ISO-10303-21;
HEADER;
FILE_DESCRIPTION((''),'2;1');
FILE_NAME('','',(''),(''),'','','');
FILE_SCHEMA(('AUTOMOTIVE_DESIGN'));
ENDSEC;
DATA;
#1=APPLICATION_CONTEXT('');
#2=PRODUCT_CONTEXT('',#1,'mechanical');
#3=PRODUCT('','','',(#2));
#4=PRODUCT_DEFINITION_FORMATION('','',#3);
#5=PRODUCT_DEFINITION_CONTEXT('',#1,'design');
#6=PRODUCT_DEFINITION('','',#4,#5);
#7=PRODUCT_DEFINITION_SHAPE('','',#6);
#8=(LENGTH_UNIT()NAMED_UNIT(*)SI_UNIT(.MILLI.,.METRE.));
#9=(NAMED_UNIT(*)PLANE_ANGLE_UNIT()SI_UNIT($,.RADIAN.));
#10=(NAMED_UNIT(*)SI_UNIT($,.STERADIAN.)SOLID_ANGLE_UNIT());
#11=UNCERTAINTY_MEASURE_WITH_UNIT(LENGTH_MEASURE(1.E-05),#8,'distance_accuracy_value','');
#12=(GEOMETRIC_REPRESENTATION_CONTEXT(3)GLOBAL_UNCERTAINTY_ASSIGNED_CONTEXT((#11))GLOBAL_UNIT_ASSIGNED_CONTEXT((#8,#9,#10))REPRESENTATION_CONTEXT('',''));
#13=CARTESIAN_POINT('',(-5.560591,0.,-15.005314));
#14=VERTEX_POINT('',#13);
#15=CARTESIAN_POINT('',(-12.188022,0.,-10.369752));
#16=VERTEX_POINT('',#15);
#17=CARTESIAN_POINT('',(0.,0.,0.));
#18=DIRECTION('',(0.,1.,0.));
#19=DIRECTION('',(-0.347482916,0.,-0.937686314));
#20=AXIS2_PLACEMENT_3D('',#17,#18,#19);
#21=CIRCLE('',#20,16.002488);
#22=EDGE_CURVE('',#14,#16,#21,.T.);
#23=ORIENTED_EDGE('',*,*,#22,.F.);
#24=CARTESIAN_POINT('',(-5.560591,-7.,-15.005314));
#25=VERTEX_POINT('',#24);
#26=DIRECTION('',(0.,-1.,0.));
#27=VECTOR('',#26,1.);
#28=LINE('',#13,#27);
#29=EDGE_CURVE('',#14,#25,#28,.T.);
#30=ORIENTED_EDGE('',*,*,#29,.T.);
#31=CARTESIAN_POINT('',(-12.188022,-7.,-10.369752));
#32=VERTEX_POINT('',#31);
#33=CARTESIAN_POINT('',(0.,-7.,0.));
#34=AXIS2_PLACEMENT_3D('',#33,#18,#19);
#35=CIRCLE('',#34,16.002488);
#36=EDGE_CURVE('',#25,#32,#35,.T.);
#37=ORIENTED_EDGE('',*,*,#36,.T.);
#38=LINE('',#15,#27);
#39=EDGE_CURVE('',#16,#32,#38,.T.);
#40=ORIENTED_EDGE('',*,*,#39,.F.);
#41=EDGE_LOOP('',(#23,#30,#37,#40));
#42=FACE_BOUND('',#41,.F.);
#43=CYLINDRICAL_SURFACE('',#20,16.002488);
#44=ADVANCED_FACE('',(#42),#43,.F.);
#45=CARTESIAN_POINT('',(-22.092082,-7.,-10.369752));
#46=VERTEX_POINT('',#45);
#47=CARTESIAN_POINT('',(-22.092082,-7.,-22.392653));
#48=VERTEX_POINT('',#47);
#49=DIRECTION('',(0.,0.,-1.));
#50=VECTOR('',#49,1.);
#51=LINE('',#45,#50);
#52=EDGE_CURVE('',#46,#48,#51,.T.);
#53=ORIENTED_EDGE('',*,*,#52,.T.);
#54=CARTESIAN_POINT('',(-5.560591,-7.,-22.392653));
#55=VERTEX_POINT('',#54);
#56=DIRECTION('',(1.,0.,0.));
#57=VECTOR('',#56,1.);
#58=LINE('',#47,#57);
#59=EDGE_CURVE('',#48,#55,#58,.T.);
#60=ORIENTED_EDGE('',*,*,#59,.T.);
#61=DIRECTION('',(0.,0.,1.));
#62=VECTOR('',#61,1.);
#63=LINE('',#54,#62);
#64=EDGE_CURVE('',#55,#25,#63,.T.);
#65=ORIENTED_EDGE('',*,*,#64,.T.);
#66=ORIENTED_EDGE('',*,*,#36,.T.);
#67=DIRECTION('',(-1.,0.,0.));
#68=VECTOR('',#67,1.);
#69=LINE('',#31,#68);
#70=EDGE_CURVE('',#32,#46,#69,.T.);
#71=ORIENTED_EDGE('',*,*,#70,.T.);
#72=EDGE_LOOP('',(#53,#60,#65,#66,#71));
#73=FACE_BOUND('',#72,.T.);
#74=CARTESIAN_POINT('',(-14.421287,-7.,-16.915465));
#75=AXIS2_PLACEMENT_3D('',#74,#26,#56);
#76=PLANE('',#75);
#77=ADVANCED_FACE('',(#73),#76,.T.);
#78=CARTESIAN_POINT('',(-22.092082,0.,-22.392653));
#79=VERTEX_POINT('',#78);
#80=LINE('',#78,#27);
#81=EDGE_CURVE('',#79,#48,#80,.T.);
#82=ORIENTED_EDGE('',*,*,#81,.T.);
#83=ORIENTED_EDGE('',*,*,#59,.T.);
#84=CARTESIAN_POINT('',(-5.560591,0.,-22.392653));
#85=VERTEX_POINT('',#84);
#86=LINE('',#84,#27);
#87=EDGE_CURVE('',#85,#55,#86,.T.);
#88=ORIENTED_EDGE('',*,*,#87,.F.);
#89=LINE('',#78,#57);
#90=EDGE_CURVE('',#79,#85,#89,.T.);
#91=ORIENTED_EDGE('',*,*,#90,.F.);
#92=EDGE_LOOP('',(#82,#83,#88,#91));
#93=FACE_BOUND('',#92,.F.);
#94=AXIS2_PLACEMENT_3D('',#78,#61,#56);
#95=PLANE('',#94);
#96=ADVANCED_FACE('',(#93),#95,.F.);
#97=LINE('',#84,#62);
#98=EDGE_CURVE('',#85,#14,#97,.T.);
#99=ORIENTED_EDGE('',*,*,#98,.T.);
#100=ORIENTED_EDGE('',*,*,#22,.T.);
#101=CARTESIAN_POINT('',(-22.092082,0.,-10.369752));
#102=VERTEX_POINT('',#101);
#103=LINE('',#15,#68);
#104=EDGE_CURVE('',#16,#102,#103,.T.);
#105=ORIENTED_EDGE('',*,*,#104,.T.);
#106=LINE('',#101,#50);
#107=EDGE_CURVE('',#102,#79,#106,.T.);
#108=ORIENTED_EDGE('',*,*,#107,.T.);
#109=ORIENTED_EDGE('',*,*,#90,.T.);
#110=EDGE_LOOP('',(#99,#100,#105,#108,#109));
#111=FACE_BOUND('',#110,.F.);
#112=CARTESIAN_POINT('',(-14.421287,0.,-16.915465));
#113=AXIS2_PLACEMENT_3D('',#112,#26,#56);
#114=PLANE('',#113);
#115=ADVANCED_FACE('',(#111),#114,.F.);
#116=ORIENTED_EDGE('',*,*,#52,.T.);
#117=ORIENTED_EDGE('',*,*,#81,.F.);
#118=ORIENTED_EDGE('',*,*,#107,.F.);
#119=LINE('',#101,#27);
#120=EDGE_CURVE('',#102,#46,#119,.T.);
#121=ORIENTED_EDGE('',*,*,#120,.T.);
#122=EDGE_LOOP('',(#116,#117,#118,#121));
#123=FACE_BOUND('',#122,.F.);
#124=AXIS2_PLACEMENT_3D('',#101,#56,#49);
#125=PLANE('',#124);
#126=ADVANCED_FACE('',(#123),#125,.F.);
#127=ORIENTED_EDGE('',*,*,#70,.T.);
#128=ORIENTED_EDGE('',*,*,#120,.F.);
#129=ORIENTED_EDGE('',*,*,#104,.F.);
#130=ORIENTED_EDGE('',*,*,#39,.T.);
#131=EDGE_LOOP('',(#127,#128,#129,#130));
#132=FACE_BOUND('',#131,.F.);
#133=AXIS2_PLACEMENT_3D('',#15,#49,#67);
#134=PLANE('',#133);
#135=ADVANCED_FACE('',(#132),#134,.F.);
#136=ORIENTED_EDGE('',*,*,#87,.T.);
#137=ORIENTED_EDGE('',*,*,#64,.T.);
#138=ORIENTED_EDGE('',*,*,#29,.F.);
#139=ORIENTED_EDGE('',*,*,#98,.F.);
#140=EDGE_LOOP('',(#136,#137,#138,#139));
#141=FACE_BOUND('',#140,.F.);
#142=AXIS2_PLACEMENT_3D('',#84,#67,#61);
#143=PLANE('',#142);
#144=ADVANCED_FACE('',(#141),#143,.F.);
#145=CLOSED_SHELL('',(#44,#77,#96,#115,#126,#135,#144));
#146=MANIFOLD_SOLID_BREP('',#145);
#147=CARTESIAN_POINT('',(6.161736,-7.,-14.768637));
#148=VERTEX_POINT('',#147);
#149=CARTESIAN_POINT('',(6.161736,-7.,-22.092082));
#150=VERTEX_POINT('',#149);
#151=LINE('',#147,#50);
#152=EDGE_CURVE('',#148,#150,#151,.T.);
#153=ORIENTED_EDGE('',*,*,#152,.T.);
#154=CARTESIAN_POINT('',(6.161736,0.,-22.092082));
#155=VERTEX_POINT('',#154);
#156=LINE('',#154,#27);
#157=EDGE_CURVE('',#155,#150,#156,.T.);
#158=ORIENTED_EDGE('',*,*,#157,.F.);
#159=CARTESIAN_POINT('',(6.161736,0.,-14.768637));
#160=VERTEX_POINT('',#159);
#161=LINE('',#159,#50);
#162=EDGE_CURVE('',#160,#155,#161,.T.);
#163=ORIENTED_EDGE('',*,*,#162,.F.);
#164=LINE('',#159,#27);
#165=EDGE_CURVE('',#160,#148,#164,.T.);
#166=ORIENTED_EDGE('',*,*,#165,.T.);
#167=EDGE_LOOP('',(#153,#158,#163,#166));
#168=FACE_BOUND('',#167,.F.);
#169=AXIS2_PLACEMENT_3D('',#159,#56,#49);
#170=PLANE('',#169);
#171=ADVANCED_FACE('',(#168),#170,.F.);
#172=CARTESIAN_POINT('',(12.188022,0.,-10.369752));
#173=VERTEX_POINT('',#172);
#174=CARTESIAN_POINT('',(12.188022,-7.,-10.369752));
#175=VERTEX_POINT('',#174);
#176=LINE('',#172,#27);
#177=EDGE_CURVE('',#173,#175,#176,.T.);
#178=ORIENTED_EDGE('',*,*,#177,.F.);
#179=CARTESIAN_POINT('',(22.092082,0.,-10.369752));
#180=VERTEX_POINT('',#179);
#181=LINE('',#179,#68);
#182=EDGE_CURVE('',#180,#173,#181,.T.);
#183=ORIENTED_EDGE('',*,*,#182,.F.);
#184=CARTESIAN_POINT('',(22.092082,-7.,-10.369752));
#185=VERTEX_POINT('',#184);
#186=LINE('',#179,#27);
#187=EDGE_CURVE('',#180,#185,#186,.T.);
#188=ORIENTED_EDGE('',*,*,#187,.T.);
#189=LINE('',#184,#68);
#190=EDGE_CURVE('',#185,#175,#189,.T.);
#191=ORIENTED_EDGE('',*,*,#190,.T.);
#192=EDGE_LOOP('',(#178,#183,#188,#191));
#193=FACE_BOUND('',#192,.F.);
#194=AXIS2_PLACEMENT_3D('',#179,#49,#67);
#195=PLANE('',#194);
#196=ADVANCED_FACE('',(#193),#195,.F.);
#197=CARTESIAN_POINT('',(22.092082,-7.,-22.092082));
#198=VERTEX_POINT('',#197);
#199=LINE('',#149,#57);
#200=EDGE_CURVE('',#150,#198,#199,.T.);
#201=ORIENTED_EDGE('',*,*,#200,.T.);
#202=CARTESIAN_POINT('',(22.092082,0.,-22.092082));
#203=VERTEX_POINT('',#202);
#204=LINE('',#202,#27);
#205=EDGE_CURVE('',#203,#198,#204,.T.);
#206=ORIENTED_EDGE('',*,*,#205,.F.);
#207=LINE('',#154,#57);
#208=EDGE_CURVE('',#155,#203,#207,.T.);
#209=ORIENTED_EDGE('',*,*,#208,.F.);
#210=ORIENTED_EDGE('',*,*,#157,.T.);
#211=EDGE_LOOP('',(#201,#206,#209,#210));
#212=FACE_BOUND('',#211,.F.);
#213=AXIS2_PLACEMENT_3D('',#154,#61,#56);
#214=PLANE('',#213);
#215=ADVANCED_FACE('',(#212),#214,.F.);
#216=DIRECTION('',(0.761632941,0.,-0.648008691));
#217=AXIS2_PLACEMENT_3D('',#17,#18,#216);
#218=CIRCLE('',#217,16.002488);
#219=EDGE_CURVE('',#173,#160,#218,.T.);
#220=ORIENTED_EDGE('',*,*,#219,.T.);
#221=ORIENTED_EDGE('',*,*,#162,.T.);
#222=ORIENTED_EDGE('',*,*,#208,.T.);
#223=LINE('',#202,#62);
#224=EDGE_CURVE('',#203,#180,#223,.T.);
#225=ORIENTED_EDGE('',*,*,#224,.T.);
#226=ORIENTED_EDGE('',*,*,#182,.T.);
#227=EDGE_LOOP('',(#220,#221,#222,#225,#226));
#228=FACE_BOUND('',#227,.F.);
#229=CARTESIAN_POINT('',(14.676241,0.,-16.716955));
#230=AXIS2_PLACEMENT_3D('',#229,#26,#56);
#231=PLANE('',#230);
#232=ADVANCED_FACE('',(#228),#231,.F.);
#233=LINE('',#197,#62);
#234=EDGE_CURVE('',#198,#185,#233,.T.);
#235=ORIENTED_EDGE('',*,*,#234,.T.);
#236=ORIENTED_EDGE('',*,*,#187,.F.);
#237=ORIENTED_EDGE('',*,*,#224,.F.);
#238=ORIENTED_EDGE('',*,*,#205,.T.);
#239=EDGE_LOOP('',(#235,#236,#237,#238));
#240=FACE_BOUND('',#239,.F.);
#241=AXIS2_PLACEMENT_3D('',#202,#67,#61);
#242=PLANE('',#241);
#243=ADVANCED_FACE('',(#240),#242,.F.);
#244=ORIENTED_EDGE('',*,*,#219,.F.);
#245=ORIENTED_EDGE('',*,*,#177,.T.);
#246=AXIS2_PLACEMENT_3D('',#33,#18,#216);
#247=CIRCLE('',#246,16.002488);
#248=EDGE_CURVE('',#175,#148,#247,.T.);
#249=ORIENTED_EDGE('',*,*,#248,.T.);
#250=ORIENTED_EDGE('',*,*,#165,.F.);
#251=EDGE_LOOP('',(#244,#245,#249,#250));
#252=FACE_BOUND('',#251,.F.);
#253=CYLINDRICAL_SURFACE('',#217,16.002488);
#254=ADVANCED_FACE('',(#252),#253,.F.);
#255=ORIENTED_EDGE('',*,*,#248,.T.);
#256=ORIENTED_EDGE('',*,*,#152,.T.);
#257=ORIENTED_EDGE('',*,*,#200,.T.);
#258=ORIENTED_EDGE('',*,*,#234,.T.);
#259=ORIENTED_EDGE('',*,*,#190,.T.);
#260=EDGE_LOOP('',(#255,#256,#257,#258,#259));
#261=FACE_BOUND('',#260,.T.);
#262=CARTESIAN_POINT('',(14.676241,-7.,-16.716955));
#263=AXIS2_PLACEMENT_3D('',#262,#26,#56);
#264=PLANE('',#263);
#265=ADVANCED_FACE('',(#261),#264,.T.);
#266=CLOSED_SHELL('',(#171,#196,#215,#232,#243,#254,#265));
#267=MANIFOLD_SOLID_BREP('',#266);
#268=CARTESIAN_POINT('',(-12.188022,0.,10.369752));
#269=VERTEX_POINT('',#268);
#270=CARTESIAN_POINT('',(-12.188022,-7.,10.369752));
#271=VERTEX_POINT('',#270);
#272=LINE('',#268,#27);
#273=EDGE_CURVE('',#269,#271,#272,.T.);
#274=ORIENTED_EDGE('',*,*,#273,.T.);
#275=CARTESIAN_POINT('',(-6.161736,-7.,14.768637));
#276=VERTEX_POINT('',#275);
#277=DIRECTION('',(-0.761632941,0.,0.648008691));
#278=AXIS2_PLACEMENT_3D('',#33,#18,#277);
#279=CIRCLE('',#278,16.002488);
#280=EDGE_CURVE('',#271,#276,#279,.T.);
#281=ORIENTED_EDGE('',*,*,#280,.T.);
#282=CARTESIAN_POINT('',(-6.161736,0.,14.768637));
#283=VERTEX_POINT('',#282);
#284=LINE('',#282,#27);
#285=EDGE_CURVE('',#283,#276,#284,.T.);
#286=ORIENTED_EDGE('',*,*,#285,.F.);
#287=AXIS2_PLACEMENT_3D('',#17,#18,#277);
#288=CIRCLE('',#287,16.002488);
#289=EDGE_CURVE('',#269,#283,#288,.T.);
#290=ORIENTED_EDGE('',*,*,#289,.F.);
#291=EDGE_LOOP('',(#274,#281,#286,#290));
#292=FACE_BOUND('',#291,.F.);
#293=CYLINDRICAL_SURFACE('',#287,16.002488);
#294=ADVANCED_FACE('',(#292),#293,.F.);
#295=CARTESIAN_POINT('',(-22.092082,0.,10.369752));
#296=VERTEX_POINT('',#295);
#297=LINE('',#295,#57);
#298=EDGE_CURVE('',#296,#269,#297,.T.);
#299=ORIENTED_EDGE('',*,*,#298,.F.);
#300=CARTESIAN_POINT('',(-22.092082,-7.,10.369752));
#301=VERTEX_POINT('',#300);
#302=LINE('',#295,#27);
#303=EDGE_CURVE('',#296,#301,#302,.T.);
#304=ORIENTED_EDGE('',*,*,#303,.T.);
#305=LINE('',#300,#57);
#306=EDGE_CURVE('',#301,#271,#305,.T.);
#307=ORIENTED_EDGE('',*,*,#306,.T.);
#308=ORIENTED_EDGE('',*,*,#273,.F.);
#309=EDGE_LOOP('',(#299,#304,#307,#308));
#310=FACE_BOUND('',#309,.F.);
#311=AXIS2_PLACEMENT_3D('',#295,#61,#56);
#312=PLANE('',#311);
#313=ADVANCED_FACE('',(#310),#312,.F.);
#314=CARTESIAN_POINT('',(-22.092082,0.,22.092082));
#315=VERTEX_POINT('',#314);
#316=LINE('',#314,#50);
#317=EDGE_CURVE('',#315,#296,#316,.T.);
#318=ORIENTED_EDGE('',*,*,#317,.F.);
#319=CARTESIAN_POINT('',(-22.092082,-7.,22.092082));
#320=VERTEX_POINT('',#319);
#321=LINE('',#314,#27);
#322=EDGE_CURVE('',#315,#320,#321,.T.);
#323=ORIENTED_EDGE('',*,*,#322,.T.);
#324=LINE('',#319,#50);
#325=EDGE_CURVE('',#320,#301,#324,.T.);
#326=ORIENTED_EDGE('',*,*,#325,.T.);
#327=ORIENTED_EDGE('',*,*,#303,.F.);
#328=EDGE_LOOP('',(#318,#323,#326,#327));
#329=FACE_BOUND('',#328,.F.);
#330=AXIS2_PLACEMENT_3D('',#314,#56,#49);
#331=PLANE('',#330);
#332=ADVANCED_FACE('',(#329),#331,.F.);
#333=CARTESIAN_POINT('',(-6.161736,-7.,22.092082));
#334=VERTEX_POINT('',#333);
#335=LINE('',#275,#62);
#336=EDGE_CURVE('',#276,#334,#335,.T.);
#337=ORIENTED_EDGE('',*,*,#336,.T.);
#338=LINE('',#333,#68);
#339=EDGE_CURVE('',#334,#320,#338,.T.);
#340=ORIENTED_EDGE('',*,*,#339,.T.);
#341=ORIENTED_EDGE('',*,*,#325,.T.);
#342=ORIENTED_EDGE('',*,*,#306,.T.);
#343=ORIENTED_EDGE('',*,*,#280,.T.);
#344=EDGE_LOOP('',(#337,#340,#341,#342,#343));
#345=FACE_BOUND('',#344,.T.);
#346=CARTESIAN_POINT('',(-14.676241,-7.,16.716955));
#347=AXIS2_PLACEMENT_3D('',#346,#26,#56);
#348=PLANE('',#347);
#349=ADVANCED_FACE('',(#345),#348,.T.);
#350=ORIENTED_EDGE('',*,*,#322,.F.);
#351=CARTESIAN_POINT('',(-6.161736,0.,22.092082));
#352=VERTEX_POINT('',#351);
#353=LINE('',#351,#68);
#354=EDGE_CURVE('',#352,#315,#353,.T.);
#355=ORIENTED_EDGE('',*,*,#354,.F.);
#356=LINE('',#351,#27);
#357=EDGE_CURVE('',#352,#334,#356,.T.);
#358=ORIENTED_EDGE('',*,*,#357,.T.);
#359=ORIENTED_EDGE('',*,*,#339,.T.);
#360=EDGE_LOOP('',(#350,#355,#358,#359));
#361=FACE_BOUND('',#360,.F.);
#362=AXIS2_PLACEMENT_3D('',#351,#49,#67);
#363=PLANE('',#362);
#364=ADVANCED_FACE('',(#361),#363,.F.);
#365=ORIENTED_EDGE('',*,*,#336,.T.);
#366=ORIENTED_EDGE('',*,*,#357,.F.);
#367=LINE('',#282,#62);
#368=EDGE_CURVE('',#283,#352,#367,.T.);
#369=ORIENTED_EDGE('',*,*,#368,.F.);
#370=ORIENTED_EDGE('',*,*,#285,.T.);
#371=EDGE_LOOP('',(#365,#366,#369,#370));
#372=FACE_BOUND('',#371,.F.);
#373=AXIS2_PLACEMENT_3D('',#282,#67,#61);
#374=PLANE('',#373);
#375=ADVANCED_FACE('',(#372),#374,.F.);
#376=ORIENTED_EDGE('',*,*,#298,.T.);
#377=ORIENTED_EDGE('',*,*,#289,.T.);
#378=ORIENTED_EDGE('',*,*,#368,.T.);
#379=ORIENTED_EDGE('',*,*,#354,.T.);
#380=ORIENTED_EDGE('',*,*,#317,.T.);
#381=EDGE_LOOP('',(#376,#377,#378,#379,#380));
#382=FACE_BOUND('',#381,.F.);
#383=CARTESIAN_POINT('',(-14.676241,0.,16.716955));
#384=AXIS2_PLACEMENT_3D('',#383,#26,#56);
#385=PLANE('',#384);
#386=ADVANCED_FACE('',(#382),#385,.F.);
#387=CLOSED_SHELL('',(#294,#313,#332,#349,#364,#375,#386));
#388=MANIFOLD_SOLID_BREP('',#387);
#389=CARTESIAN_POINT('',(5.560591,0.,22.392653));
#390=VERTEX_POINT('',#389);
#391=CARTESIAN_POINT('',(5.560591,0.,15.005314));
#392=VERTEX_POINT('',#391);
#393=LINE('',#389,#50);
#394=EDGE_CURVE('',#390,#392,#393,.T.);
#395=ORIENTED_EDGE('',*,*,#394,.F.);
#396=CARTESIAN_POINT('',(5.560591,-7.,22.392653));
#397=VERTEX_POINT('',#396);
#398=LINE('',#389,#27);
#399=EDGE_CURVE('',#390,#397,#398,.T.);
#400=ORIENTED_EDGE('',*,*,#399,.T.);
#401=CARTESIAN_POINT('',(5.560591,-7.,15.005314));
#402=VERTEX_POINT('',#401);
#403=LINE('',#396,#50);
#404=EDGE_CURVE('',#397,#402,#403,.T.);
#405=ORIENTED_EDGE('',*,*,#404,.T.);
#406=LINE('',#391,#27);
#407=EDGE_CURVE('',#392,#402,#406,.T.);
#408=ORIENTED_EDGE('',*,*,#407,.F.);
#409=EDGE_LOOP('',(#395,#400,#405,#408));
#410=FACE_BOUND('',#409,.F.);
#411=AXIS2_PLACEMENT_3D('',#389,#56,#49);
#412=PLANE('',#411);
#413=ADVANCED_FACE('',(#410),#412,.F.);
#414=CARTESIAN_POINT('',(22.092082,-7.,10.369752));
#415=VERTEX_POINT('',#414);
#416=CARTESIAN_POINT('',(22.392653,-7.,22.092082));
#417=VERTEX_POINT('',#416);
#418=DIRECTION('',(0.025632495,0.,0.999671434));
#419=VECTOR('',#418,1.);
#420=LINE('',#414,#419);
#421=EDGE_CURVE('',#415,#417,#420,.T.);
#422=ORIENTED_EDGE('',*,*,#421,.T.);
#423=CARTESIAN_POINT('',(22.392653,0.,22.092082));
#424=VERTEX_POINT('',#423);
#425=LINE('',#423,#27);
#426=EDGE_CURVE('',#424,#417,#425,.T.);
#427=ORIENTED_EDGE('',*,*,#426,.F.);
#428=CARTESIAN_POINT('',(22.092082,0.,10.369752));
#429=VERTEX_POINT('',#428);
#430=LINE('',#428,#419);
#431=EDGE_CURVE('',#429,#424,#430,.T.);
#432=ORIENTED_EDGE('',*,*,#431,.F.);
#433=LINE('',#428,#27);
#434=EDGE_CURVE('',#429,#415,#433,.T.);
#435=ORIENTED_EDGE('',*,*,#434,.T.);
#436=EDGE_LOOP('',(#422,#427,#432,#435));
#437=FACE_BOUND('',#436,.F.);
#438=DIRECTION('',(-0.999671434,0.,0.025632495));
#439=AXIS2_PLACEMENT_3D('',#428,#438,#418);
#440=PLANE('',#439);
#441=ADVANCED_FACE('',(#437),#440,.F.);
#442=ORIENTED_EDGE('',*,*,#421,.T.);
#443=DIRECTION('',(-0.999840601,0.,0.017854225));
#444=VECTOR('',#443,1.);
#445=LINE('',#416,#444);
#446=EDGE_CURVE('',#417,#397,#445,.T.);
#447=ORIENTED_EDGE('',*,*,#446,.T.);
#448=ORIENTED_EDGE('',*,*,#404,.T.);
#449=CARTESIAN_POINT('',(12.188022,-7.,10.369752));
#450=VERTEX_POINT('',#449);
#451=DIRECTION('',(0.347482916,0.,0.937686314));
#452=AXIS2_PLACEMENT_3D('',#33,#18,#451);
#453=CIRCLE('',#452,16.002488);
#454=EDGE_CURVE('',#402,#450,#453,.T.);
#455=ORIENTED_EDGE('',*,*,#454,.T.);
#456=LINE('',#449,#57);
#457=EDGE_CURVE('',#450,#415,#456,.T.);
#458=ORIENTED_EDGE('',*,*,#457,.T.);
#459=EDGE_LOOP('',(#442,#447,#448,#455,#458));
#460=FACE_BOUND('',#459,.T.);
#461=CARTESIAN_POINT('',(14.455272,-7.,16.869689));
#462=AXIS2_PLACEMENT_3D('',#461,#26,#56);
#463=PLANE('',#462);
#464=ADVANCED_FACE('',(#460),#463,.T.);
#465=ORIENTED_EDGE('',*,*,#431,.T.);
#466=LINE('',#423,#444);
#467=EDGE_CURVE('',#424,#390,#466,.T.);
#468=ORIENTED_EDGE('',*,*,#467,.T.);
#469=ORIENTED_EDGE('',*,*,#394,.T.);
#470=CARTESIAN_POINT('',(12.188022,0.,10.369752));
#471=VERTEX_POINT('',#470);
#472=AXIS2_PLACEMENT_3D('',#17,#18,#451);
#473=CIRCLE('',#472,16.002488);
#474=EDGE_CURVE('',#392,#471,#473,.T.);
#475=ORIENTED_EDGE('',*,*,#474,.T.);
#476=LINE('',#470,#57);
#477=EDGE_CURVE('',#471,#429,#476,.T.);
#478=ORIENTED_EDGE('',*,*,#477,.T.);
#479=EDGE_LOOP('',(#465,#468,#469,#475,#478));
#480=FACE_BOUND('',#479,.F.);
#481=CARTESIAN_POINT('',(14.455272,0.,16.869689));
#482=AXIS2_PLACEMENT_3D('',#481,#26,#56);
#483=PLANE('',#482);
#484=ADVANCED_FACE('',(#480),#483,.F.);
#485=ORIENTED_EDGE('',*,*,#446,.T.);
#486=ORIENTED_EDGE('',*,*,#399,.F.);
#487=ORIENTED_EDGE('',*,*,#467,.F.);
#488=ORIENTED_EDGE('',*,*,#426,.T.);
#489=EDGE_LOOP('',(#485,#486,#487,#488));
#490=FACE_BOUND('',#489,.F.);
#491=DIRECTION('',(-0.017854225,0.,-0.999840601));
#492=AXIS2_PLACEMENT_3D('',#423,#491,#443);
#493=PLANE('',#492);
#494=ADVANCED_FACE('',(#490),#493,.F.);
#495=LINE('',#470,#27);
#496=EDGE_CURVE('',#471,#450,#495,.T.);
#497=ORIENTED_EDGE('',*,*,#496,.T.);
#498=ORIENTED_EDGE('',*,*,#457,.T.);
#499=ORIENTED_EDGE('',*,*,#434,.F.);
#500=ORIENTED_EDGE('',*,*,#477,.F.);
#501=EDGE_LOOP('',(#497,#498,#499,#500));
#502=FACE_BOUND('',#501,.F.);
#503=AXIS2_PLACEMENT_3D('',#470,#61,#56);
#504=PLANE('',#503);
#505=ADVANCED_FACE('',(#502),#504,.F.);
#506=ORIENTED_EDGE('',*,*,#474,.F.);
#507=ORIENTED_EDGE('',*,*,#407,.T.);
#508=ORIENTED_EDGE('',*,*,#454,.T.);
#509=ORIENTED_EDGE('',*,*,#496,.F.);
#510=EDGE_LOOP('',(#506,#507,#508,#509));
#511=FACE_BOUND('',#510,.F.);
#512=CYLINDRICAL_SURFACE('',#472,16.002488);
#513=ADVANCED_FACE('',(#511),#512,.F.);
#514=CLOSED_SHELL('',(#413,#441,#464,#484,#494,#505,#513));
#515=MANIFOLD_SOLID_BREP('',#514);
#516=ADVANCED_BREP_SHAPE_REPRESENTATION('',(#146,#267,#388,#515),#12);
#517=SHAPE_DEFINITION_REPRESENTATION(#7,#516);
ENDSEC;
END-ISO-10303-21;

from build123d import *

# Parameters (mm, degrees)
F1_DEPTH  = 7
F2_W      = 42.9818704724
F2_H      = 20.7395032048
F6_DEPTH  = 25
F3_W      = 12.3234726489
F3_H      = 22.2423672676
F5_R      = 15.6600886523
F4_W      = 11.1211827025
F4_H      = 21.6412246227
F11_W     = 43.5830168426
F11_H     = 20.1383605599
F12_DEPTH = 8.4


with BuildPart() as f1:
    # F0 (on Front) → F1 (new body)
    with BuildSketch(Plane.XZ):
        with BuildLine():
            ThreePointArc((-12.18802236, 10.3697516024), (-9.434826942, 12.9253115211), (-6.1617363244, 14.7686371345))
            Line((-6.1617363244, 14.7686371345), (-6.1617363244, 22.0920816064))
            Line((-6.1617363244, 22.0920816064), (-22.0920816064, 22.0920816064))
            Line((-22.0920816064, 22.0920816064), (-22.0920816064, 10.3697516024))
            Line((-22.0920816064, 10.3697516024), (-12.18802236, 10.3697516024))
        make_face()
    extrude(amount=F1_DEPTH)


with BuildPart() as f1b:
    # F0 (on Front) → F1, piece 2 (new body)
    with BuildSketch(Plane.XZ):
        with BuildLine():
            ThreePointArc((5.5605913512, 15.0053144308), (9.1719917603, 13.113130995), (12.18802236, 10.3697516024))
            Line((12.18802236, 10.3697516024), (22.0920816064, 10.3697516024))
            Line((22.0920816064, 10.3697516024), (22.3926529288, 22.0920816064))
            Line((22.3926529288, 22.0920816064), (5.5605913512, 22.3926529288))
            Line((5.5605913512, 22.3926529288), (5.5605913512, 15.0053144308))
        make_face()
    extrude(amount=F1_DEPTH)


with BuildPart() as f1c:
    # F0 (on Front) → F1, piece 3 (new body)
    with BuildSketch(Plane.XZ):
        with BuildLine():
            Line((-5.5605913512, -22.3926529288), (-5.5605913512, -15.0053144308))
            ThreePointArc((-5.5605913512, -15.0053144308), (-9.1719917603, -13.113130995), (-12.18802236, -10.3697516024))
            Line((-12.18802236, -10.3697516024), (-22.0920816064, -10.3697516024))
            Line((-22.0920816064, -10.3697516024), (-22.0920816064, -22.3926529288))
            Line((-22.0920816064, -22.3926529288), (-5.5605913512, -22.3926529288))
        make_face()
    extrude(amount=F1_DEPTH)


with BuildPart() as f1d:
    # F0 (on Front) → F1, piece 4 (new body)
    with BuildSketch(Plane.XZ):
        with BuildLine():
            Line((22.0920816064, -10.3697516024), (12.18802236, -10.3697516024))
            ThreePointArc((12.18802236, -10.3697516024), (9.434826942, -12.9253115211), (6.1617363244, -14.7686371345))
            Line((6.1617363244, -14.7686371345), (6.1617363244, -22.0920816064))
            Line((6.1617363244, -22.0920816064), (22.0920816064, -22.0920816064))
            Line((22.0920816064, -22.0920816064), (22.0920816064, -10.3697516024))
        make_face()
    extrude(amount=F1_DEPTH)


with BuildPart() as f6:
    # F2 (on Front) → F6 (new body)
    with BuildSketch(Plane.XZ):
        Rectangle(F2_W, F2_H)
    extrude(amount=F6_DEPTH)


with BuildPart() as f6b:
    # F3 (on Front) → F6, piece 2 (new body)
    with BuildSketch(Plane.XZ):
        with Locations((0, 11.271469295)):
            Rectangle(F3_W, F3_H)
    extrude(amount=F6_DEPTH)


with BuildPart() as f6c:
    # F5 (on Front) → F6, piece 3 (new body)
    with BuildSketch(Plane.XZ):
        Circle(F5_R)
    extrude(amount=F6_DEPTH)


with BuildPart() as f6d:
    # F4 (on Front) → F6, piece 4 (new body)
    with BuildSketch(Plane.XZ):
        with Locations((0, -11.271469295)):
            Rectangle(F4_W, F4_H)
    extrude(amount=F6_DEPTH)


with BuildPart() as f12:
    # F11 (on Front) → F12 (new body)
    with BuildSketch(Plane.XZ):
        Rectangle(F11_W, F11_H)
    extrude(amount=F12_DEPTH)


solid = Compound([f1.part, f1b.part, f1c.part, f1d.part])
